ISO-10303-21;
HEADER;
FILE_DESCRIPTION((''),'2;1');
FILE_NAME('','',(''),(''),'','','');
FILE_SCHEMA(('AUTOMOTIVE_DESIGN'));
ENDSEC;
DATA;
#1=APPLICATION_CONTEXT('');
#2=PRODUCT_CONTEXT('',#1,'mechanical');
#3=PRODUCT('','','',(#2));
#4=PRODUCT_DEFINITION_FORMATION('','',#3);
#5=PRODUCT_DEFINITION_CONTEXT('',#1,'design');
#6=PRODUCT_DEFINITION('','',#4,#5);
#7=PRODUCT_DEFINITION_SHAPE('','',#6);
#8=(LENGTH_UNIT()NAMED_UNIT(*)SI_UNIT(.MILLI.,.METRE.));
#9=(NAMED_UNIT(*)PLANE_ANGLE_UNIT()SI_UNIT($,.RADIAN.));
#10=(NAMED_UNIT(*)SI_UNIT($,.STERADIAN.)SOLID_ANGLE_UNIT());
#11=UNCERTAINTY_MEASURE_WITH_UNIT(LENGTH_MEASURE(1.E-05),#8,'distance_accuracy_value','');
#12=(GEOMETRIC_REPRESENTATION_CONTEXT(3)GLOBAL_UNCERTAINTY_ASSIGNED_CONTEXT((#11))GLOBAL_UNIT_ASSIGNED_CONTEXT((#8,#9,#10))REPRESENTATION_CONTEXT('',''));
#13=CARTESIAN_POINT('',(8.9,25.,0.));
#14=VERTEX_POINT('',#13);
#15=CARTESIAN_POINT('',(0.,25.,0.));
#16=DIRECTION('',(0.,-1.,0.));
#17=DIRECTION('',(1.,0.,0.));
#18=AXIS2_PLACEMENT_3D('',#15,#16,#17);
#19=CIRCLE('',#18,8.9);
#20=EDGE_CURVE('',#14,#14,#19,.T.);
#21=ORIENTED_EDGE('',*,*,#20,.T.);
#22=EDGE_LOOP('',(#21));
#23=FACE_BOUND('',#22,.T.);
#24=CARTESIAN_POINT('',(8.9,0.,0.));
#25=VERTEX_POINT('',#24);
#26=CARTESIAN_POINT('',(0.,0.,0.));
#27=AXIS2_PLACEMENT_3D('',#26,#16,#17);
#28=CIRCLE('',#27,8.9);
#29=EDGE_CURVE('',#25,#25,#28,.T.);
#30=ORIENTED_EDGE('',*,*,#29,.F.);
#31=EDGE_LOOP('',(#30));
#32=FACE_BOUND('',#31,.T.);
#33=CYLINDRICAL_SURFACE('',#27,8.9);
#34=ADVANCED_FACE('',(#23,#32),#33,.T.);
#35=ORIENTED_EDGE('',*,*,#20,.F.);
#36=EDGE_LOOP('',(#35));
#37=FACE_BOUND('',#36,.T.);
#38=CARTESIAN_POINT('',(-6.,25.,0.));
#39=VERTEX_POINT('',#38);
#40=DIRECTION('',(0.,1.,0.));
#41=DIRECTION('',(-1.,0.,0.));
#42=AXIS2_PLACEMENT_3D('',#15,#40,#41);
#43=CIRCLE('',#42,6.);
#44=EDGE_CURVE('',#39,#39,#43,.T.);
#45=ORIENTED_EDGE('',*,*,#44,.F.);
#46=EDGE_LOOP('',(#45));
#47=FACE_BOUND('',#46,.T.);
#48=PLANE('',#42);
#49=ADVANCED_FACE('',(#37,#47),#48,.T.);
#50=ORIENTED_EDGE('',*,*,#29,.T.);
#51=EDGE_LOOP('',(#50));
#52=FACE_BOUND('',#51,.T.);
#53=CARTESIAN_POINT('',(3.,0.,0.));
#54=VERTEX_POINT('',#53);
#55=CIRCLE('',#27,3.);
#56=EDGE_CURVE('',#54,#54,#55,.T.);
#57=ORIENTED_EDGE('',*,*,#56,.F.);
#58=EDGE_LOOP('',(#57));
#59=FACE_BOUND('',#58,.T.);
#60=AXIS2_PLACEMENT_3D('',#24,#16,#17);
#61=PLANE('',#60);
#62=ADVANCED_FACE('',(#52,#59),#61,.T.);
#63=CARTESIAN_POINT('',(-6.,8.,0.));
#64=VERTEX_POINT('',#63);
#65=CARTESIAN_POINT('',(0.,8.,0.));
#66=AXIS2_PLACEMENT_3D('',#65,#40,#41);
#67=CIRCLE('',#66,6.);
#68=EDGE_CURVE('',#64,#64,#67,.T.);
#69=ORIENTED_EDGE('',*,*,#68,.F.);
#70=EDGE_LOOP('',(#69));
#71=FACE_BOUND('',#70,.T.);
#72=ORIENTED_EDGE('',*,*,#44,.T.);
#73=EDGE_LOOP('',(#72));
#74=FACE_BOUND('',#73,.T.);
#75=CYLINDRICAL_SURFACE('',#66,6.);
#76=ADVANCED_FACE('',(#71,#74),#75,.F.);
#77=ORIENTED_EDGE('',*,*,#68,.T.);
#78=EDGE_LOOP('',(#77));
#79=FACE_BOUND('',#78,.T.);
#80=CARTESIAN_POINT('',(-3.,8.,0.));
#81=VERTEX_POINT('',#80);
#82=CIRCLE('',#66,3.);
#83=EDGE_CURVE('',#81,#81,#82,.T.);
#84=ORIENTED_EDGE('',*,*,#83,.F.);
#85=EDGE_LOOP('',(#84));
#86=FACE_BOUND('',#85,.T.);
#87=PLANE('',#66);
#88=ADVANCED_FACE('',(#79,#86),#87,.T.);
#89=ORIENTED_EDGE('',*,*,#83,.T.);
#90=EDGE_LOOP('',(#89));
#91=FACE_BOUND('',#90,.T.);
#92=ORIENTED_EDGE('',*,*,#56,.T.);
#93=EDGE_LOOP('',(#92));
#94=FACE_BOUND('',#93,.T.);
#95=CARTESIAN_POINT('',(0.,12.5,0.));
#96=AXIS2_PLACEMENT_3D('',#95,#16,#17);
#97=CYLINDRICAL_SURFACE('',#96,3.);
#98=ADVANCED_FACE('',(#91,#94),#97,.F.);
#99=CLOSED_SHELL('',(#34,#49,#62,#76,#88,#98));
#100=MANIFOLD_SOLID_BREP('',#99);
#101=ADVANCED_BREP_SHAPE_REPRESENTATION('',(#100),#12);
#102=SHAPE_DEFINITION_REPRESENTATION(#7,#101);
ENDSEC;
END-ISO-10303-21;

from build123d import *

# Parameters (mm, degrees)
CROQUIS1_W            = 8.9
CROQUIS1_H            = 25
CROQUIS2_R            = 6
CORTAR_EXTRUIR1_DEPTH = 17
CROQUIS3_R            = 3
CORTAR_EXTRUIR2_DEPTH = 12.5


with BuildPart() as part:
    # Croquis1 → Revolución1 (revolve)
    with BuildSketch(Plane.XY):
        with Locations((4.45, 12.5)):
            Rectangle(CROQUIS1_W, CROQUIS1_H)
    revolve(axis=Axis((0, 0, 0), (0, 1, 0)))

    # Croquis2 → Cortar-Extruir1 (cut)
    with BuildSketch(Plane(origin=(0, 25, 0), x_dir=(1, 0, 0), z_dir=(0, 1, 0))):
        with Locations(Location((0, 0, 0), (0, 0, 180))):
            Circle(CROQUIS2_R)
    extrude(amount=-CORTAR_EXTRUIR1_DEPTH, mode=Mode.SUBTRACT)

    # Croquis3 → Cortar-Extruir2 (cut)
    with BuildSketch(Plane.XZ):
        Circle(CROQUIS3_R)
    extrude(amount=-CORTAR_EXTRUIR2_DEPTH, mode=Mode.SUBTRACT)


solid = part.part
